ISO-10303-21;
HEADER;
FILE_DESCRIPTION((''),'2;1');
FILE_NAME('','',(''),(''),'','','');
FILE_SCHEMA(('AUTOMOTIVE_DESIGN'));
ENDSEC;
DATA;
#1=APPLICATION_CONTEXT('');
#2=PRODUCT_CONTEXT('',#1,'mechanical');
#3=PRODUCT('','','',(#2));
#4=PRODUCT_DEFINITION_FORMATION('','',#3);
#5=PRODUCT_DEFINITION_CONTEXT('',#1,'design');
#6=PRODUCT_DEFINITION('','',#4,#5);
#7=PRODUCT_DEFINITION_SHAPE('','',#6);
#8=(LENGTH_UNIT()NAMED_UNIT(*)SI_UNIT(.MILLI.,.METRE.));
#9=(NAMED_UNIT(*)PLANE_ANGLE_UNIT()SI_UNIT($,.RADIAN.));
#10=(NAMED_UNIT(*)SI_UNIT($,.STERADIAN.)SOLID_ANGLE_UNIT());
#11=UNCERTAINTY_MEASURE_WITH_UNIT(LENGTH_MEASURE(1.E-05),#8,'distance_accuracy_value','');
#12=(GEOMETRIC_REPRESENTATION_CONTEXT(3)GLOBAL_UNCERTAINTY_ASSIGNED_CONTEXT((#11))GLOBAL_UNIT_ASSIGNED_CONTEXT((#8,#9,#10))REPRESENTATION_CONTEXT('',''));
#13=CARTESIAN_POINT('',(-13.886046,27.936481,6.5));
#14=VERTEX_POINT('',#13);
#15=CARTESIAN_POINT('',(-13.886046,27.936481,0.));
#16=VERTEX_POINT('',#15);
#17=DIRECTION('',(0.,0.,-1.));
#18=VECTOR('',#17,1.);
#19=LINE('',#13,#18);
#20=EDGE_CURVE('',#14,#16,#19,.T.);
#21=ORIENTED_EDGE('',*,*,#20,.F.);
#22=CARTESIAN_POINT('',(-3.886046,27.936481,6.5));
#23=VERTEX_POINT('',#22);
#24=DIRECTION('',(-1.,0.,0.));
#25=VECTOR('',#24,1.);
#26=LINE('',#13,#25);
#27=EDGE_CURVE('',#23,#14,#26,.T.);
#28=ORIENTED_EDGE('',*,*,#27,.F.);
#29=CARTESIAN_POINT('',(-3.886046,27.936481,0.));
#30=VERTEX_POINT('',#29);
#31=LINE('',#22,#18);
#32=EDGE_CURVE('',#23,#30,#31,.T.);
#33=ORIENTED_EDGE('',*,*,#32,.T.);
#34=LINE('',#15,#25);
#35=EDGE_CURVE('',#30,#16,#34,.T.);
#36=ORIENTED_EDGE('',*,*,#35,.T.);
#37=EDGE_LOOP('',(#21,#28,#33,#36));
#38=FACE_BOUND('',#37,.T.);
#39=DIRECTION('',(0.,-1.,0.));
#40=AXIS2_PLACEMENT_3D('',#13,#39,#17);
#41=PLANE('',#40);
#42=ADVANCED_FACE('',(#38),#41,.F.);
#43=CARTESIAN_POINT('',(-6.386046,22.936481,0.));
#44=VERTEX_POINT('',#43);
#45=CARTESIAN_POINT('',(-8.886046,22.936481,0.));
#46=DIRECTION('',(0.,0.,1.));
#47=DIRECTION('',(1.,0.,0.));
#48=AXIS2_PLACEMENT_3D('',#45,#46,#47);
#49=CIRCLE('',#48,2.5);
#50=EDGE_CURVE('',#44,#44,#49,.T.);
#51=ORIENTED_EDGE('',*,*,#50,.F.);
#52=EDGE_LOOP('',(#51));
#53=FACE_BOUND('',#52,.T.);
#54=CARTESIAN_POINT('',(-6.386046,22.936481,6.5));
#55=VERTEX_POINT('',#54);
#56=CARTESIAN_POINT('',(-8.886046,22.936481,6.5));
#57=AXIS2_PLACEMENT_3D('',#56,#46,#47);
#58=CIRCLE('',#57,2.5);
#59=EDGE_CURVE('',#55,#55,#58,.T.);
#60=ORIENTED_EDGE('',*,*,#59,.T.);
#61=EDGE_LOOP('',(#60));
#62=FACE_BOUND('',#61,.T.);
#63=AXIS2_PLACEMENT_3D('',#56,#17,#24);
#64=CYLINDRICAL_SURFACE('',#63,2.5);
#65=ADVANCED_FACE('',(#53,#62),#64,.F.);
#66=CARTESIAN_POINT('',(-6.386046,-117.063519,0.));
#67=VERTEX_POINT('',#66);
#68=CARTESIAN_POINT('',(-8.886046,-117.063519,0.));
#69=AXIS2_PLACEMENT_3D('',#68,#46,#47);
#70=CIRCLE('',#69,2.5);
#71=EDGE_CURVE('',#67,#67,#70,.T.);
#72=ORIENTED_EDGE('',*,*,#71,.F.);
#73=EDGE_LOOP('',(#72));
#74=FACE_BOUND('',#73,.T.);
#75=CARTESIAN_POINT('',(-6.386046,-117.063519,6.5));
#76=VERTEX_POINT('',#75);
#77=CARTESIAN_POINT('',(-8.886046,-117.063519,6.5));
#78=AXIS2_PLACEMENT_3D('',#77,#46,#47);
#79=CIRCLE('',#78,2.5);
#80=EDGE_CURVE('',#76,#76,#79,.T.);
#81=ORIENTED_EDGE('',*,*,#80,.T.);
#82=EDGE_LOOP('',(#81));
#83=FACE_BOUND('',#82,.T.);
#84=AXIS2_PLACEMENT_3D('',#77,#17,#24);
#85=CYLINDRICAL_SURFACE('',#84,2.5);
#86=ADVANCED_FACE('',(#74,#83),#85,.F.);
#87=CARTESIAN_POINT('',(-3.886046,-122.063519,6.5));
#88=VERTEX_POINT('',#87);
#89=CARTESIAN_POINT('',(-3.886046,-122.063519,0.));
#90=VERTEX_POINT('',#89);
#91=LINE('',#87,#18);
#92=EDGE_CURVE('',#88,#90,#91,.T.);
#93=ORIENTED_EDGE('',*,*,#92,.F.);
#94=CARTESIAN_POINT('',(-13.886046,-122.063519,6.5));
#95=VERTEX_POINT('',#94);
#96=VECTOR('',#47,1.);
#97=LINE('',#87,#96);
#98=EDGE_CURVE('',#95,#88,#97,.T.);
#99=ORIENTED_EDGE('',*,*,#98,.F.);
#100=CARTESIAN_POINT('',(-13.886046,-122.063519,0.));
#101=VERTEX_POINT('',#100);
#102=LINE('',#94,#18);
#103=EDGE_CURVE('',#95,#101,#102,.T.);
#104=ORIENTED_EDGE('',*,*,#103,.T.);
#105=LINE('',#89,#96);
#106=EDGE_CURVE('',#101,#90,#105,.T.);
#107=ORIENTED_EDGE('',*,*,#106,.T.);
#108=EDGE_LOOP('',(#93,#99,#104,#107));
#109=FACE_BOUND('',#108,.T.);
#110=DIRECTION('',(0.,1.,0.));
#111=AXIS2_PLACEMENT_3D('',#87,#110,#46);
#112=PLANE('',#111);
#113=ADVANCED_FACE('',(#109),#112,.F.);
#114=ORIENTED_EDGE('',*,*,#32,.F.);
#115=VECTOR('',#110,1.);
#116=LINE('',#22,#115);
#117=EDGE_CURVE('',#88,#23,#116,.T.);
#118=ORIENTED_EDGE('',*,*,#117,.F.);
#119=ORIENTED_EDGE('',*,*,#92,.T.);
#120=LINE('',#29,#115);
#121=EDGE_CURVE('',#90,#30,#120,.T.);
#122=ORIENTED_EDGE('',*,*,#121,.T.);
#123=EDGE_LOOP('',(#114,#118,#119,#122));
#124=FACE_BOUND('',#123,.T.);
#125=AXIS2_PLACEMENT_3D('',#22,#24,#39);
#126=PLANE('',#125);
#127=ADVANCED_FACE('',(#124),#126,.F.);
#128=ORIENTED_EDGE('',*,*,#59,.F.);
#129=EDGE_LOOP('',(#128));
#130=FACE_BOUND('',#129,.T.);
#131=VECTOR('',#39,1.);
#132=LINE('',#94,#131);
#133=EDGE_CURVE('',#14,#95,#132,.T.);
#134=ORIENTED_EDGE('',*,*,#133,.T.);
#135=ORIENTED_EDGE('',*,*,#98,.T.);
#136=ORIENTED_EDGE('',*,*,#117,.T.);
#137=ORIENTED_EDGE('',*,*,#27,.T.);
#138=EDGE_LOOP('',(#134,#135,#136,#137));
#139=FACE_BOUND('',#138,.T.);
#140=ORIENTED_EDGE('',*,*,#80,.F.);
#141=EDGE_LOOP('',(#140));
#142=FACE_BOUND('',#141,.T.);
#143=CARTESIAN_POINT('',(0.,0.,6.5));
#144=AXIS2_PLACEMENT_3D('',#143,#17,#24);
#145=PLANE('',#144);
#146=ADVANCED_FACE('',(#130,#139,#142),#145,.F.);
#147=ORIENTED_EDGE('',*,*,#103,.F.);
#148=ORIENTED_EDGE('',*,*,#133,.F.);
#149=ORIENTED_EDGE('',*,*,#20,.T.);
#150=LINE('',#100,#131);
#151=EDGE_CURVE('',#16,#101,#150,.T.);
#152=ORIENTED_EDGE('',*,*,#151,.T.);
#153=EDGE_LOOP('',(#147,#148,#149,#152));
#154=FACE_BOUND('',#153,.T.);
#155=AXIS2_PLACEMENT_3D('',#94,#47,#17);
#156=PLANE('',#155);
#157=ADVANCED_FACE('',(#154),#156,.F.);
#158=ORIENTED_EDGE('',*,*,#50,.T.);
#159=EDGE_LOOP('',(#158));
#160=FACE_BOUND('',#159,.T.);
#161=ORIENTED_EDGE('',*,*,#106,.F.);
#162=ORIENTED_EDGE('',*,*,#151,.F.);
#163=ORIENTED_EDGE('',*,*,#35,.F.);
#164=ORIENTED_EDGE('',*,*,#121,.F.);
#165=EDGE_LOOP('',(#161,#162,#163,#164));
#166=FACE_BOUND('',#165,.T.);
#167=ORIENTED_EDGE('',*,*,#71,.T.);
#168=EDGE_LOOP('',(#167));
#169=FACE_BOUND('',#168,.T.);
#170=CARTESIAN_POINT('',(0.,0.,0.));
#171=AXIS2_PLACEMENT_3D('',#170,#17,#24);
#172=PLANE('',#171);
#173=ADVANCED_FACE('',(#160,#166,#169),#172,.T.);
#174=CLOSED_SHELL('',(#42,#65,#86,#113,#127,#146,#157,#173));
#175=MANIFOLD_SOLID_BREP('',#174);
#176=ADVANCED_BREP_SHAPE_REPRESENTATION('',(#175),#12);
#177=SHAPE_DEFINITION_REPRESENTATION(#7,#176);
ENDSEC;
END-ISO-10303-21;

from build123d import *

# Parameters (mm, degrees)
SKETCH_1_W      = 10
SKETCH_1_H      = 150
SKETCH_1_R      = 2.5
EXTRUDE_1_DEPTH = 6.5


with BuildPart() as part:
    # 草图1 → 凸台-拉伸1 (new body)
    with BuildSketch(Plane.XY):
        with Locations((-8.886046419, -47.06351943)):
            Rectangle(SKETCH_1_W, SKETCH_1_H)
        with Locations((-8.886046419, 22.93648057)):
            Circle(SKETCH_1_R, mode=Mode.SUBTRACT)
        with Locations((-8.886046419, -117.06351943)):
            Circle(SKETCH_1_R, mode=Mode.SUBTRACT)
    extrude(amount=EXTRUDE_1_DEPTH)


solid = part.part
